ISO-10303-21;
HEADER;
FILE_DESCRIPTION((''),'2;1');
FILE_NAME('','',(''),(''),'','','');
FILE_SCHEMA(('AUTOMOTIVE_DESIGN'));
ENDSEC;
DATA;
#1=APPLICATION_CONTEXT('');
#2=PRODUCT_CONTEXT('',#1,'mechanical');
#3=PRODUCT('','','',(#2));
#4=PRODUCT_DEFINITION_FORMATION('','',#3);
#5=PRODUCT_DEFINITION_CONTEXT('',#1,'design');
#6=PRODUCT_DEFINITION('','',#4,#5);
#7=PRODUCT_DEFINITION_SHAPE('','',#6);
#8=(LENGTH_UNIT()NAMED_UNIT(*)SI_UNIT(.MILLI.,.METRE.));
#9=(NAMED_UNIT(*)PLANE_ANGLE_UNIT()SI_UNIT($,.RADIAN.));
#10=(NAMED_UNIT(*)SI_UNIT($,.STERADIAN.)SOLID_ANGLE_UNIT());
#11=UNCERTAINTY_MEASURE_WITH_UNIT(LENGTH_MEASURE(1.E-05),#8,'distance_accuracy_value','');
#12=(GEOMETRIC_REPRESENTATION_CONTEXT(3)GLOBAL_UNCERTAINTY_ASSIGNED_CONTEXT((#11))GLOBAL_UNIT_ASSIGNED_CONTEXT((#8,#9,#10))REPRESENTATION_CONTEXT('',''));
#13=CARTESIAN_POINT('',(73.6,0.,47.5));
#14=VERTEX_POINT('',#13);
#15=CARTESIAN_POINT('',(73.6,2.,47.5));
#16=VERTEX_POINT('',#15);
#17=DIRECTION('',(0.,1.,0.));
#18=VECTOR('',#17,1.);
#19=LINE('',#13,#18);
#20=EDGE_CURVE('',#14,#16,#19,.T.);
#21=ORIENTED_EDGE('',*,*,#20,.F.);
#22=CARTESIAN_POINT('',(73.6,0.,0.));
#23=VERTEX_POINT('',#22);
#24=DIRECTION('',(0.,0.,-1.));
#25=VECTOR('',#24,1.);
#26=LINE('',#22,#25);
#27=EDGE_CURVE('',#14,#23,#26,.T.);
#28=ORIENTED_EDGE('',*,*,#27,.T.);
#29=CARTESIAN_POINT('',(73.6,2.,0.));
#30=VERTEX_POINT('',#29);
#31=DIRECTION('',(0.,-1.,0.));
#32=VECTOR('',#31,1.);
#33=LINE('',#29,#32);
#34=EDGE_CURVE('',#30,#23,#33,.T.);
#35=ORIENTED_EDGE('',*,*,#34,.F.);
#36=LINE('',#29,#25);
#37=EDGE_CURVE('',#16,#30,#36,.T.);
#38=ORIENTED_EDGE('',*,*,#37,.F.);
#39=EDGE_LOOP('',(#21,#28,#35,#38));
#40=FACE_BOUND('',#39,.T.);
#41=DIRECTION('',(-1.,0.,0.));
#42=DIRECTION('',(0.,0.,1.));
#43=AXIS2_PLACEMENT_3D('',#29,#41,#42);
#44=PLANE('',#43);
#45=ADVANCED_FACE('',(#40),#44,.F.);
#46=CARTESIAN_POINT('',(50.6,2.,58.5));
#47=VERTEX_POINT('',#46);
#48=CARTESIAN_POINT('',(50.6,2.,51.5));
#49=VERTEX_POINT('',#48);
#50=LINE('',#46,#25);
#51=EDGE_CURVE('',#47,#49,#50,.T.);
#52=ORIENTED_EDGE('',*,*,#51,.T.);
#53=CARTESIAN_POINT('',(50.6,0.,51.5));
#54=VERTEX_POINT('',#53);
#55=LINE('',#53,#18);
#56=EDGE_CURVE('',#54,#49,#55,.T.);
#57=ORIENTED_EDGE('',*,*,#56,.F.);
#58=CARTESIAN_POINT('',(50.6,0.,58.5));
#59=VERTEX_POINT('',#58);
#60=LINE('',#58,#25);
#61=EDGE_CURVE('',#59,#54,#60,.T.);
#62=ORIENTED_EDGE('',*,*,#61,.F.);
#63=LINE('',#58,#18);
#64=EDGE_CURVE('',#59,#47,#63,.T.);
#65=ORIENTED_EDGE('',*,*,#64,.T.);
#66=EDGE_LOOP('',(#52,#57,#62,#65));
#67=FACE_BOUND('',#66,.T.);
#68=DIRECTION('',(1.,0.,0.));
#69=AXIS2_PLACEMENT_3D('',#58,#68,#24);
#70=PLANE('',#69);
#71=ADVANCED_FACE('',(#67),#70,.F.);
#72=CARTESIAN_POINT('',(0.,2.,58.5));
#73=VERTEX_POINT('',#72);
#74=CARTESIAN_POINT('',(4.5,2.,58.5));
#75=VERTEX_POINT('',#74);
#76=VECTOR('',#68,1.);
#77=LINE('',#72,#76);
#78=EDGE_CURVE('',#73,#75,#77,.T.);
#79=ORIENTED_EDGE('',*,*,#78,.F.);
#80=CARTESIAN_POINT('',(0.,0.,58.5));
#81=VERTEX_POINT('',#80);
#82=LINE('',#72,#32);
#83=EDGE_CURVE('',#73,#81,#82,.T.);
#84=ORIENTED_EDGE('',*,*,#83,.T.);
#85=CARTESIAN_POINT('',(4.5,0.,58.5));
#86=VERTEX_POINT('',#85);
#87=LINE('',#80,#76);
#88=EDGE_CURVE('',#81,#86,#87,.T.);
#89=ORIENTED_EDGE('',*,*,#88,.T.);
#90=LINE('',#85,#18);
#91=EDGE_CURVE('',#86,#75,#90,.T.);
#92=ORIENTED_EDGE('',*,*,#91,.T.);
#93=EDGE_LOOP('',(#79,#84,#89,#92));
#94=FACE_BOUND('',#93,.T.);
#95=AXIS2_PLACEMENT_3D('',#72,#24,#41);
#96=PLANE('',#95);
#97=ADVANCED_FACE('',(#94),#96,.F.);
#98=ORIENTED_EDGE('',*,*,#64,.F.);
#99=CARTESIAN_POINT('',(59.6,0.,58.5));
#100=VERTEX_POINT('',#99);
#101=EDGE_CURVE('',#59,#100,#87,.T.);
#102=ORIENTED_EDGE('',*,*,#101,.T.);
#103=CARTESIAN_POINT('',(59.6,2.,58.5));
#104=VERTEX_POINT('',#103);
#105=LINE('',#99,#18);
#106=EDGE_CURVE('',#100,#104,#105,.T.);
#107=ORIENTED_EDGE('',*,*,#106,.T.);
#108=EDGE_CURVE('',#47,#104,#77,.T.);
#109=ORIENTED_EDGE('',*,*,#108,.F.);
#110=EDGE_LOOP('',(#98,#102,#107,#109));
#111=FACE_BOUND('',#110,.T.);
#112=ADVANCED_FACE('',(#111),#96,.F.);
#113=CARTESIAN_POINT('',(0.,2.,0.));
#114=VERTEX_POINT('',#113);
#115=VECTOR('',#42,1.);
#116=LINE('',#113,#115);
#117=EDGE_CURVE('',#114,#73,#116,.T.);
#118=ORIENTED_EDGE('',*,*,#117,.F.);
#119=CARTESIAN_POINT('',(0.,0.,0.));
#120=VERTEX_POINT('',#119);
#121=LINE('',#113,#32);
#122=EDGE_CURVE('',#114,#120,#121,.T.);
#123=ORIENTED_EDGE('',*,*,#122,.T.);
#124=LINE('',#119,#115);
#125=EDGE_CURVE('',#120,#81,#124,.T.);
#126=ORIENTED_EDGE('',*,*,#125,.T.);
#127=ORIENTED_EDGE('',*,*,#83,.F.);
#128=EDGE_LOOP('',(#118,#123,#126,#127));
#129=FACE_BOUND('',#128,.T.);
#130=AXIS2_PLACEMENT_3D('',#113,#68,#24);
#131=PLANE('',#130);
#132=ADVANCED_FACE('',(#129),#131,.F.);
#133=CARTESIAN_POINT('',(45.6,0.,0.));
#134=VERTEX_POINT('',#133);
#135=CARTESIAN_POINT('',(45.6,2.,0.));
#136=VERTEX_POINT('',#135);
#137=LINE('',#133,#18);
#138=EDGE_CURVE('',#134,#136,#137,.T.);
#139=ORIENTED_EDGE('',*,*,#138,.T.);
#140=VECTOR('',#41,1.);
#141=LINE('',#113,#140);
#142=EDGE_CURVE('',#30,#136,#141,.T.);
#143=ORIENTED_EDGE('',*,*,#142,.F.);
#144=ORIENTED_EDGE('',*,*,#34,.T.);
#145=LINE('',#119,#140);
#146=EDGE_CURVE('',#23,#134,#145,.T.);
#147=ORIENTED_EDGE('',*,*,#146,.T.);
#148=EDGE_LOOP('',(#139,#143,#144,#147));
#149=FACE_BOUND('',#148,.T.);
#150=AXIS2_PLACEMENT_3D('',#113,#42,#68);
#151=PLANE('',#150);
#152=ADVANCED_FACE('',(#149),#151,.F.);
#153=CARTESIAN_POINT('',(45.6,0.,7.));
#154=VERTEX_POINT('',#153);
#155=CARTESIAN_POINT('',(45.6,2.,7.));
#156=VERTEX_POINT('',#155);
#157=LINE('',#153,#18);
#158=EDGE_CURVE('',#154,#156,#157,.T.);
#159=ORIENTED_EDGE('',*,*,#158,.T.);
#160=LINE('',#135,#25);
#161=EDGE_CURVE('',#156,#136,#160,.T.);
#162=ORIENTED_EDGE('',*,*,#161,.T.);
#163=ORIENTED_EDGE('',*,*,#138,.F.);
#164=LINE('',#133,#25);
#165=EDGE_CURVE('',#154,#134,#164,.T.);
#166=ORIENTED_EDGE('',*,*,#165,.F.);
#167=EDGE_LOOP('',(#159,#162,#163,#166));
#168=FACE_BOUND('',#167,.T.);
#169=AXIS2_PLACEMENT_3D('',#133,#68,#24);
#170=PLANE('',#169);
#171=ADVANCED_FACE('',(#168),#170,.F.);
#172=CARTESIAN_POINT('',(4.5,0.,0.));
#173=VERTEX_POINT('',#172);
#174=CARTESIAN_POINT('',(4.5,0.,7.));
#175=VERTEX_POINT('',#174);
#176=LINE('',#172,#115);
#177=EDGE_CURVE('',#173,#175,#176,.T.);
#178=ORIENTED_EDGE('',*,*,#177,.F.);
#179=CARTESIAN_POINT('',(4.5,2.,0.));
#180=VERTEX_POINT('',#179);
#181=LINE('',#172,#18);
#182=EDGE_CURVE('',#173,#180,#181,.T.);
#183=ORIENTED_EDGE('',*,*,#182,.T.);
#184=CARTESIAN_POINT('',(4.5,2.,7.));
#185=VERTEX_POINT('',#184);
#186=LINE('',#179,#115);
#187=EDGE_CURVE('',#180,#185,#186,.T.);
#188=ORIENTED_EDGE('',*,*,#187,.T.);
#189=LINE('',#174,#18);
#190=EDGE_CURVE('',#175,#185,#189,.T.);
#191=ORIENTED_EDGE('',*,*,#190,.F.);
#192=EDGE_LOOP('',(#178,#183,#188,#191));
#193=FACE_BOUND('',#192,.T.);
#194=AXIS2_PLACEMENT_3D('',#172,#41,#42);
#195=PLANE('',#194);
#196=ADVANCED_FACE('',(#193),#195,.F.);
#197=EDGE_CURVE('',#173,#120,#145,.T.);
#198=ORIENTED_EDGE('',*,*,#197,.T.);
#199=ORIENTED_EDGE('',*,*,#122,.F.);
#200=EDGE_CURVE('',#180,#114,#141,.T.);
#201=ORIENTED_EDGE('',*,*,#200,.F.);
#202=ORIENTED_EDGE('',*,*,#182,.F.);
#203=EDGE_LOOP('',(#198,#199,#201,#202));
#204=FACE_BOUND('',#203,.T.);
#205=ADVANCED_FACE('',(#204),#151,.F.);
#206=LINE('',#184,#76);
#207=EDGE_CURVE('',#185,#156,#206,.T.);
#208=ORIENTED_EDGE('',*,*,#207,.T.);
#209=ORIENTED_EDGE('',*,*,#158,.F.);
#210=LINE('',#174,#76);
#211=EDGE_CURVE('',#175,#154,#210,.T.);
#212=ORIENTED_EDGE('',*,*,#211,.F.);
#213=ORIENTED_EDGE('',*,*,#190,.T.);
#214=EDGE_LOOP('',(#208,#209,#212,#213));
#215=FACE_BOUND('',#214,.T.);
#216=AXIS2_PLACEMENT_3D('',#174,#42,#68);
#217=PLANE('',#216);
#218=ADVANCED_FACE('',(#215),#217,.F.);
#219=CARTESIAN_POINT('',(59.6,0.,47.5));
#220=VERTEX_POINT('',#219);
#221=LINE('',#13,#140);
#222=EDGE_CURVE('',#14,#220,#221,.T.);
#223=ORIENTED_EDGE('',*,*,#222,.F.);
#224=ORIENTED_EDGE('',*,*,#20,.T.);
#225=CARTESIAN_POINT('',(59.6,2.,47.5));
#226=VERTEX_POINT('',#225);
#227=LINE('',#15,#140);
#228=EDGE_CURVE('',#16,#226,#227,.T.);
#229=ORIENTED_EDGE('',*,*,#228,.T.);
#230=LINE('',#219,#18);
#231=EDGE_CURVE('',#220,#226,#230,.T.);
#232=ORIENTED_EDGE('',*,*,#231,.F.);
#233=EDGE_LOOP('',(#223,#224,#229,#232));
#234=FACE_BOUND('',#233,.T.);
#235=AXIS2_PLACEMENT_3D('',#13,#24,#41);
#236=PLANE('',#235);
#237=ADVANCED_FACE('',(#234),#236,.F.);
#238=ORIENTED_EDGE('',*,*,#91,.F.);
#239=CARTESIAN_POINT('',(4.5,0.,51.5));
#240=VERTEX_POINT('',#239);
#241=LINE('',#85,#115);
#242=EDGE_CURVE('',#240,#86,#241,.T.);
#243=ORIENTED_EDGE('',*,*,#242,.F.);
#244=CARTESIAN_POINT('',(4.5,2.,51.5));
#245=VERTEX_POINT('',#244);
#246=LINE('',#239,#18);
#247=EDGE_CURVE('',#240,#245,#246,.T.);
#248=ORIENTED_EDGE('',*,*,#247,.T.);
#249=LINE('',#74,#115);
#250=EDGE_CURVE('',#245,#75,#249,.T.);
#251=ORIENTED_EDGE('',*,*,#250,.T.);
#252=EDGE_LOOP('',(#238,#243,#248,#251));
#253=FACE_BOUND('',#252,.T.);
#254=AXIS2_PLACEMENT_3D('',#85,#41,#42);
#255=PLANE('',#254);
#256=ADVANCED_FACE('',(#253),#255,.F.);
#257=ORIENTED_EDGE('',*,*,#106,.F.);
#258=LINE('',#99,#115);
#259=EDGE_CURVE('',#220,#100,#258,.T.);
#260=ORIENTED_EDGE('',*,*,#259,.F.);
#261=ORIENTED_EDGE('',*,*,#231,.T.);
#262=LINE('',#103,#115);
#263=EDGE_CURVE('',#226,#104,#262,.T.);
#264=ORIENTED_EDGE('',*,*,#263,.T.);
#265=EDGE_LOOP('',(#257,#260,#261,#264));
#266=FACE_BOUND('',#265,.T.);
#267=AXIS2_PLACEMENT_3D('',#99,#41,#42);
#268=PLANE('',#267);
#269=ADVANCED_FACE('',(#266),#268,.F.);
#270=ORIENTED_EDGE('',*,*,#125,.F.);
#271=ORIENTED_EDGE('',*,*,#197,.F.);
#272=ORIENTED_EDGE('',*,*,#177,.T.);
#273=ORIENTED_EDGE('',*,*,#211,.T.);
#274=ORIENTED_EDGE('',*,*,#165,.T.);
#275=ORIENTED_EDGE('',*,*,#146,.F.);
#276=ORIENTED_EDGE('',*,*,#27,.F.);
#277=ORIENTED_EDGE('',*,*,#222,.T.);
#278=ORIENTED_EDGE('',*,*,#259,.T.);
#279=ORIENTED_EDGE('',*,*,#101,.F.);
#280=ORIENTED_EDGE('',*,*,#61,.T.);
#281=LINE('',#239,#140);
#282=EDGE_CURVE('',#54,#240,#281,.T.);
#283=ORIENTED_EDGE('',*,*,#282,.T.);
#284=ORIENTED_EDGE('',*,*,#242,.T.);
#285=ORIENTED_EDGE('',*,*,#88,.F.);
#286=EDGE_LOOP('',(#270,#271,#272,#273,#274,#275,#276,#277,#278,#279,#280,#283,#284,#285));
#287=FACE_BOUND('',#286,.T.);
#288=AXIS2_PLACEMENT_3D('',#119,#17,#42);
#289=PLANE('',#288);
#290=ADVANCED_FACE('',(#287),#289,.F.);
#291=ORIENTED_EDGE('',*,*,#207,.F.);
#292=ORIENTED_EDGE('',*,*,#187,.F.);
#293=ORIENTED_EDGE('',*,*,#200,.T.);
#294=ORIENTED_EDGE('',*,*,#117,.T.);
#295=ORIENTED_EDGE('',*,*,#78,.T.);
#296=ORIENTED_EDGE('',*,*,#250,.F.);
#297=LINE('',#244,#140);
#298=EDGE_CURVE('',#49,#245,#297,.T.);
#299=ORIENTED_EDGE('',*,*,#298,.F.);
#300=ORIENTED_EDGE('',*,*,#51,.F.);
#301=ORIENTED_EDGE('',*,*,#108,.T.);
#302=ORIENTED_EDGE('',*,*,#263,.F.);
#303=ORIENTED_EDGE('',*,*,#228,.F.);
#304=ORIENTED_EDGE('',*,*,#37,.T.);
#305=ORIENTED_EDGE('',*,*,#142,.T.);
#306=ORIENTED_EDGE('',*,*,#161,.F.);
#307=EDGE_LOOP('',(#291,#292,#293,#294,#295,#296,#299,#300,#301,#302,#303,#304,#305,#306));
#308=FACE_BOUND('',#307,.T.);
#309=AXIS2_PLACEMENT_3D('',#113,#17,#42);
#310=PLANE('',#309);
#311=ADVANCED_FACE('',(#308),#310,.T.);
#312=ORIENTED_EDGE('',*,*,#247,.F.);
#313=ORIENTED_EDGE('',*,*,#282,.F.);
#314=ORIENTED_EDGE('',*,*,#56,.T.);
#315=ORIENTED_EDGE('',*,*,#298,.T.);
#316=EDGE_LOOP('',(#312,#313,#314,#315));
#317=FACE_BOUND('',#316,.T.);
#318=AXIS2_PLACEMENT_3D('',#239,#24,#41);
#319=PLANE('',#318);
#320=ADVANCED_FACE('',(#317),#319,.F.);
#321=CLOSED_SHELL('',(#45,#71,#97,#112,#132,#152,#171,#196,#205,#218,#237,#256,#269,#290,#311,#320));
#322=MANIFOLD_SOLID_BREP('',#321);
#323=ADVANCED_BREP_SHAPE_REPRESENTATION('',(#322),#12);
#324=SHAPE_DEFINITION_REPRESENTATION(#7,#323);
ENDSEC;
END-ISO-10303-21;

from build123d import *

# Parameters (mm, degrees)
SKETCH_1_W          = 73.6
SKETCH_1_H          = 58.5
EXTRUDE_1_DEPTH     = 2
SKETCH_2_W          = 41.1
SKETCH_2_H          = 7
SKETCH_2_W_2        = 14
SKETCH_2_H_2        = 11
SKETCH_2_W_3        = 46.1
CUT_EXTRUDE_1_DEPTH = 2


with BuildPart() as part:
    # Эскиз1 → Бобышка-Вытянуть1 (new body)
    with BuildSketch(Plane(origin=(0, 0, 0), x_dir=(1, 0, 0), z_dir=(0, 1, 0))):
        with Locations((36.8, -29.25)):
            Rectangle(SKETCH_1_W, SKETCH_1_H)
    extrude(amount=EXTRUDE_1_DEPTH)

    # Эскиз2 → Вырез-Вытянуть1 (cut)
    with BuildSketch(Plane(origin=(0, 2, 0), x_dir=(1, 0, 0), z_dir=(0, 1, 0))):
        with Locations((25.05, -3.5)):
            Rectangle(SKETCH_2_W, SKETCH_2_H)
        with Locations((66.6, -53)):
            Rectangle(SKETCH_2_W_2, SKETCH_2_H_2)
        with Locations((27.55, -55)):
            Rectangle(SKETCH_2_W_3, SKETCH_2_H)
    extrude(amount=-CUT_EXTRUDE_1_DEPTH, mode=Mode.SUBTRACT)


solid = part.part
